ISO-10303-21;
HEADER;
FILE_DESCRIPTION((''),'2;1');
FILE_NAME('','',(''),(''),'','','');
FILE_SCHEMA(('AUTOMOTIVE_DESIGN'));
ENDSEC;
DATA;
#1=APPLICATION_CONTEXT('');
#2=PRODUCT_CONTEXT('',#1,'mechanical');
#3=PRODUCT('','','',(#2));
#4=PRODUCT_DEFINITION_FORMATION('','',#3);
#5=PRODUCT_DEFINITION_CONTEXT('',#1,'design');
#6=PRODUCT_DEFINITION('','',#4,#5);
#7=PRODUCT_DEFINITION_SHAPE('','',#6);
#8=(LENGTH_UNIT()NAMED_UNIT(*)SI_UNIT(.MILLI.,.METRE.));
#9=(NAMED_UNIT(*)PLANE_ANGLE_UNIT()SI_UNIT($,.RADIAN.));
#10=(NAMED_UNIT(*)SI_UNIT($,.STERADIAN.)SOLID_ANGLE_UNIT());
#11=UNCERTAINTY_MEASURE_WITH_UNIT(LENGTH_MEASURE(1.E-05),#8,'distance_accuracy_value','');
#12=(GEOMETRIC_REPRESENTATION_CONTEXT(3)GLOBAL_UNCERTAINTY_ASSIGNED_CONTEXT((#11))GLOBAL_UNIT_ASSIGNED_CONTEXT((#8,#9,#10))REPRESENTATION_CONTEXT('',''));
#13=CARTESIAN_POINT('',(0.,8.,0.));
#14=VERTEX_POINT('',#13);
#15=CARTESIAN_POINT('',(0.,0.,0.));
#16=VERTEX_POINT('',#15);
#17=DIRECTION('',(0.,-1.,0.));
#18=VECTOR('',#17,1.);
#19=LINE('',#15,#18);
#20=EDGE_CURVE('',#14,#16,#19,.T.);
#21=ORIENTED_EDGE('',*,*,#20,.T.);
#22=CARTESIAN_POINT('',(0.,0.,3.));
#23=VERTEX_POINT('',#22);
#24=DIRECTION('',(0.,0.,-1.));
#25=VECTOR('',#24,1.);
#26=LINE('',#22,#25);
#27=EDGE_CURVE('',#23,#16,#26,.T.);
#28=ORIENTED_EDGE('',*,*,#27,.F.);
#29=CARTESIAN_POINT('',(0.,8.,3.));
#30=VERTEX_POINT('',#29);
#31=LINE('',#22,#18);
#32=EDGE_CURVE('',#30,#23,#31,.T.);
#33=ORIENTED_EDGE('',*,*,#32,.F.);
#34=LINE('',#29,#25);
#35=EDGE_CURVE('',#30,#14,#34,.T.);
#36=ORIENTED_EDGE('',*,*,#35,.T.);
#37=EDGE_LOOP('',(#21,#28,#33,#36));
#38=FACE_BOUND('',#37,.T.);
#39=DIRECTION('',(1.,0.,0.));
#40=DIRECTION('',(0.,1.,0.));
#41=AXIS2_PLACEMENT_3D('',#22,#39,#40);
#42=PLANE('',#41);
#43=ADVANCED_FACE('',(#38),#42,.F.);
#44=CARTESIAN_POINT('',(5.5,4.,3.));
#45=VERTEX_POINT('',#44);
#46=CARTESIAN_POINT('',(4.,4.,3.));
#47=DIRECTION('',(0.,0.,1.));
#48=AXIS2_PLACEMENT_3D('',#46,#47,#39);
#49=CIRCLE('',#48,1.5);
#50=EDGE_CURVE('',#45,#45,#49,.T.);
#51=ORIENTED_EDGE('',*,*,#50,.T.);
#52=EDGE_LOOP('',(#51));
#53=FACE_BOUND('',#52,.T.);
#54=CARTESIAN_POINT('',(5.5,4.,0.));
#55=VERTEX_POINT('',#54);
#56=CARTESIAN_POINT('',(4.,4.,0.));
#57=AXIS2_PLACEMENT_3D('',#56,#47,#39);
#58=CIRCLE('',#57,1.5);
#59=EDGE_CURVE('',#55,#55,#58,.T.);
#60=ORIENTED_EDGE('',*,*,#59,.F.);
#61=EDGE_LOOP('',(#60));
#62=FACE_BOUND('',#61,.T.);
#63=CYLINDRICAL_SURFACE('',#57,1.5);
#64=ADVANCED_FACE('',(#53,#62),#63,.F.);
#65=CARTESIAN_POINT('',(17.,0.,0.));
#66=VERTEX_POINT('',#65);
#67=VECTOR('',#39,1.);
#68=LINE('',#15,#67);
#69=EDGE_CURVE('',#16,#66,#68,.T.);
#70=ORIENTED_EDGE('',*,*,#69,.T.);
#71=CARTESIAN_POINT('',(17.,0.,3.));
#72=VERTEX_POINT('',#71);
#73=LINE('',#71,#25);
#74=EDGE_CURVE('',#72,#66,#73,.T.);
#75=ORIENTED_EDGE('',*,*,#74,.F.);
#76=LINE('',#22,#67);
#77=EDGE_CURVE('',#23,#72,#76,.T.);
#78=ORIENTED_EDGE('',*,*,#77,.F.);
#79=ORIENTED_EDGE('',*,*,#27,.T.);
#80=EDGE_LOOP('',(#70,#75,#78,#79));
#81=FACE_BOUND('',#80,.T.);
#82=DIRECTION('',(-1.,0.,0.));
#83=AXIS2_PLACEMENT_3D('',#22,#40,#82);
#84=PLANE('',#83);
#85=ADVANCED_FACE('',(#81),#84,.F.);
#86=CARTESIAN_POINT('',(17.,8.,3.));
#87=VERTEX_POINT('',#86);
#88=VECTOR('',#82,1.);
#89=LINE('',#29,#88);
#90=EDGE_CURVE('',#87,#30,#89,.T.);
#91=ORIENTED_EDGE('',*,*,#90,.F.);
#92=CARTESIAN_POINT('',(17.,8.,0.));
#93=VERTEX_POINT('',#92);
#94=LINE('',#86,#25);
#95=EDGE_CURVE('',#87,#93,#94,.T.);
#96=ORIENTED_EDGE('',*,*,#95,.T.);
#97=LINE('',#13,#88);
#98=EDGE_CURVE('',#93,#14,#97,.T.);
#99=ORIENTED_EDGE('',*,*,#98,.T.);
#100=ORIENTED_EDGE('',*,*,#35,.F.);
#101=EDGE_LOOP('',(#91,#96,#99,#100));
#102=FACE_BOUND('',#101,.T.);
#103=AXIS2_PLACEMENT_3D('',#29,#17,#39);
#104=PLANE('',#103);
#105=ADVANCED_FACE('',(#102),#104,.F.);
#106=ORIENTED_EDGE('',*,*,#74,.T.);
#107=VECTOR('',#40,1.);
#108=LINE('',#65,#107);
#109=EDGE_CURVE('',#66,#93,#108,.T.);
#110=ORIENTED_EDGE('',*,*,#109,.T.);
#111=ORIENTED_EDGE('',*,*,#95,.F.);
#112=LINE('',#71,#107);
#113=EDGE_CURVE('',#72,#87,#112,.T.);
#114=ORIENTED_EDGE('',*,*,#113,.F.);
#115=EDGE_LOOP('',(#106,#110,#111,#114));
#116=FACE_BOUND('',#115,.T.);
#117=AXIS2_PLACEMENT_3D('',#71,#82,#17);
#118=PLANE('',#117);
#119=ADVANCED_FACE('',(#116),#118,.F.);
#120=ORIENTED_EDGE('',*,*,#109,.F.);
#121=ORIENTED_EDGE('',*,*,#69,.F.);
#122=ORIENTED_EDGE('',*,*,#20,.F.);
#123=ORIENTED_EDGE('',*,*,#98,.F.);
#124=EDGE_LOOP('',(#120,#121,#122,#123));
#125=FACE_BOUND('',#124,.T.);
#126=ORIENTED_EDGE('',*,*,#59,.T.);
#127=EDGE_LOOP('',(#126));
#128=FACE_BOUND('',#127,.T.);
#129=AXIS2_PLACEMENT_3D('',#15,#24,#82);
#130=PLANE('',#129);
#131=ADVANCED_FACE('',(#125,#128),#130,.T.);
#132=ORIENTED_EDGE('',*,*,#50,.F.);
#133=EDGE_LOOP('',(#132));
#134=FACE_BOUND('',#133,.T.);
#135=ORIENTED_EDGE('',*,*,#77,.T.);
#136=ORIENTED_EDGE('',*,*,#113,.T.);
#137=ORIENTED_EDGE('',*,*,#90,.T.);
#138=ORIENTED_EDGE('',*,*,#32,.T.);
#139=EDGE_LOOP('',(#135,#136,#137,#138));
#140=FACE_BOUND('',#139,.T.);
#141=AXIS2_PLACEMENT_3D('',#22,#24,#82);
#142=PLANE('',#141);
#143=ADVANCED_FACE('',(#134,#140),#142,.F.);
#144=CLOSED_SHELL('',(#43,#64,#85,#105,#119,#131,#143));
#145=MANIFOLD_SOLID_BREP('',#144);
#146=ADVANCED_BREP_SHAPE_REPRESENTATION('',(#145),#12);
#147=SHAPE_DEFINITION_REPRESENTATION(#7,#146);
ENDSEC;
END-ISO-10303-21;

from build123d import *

# Parameters (mm, degrees)
SKETCH_1_W          = 17
SKETCH_1_H          = 8
EXTRUDE_1_DEPTH     = 3
SKETCH_2_R          = 1.5
CUT_EXTRUDE_1_DEPTH = 20.02629759


with BuildPart() as part:
    # Эскиз1 → Бобышка-Вытянуть1 (new body)
    with BuildSketch(Plane.XY):
        with Locations((8.5, 4)):
            Rectangle(SKETCH_1_W, SKETCH_1_H)
    extrude(amount=EXTRUDE_1_DEPTH)

    # Эскиз2 → Вырез-Вытянуть1 (cut, through all)
    with BuildSketch(Plane.XY.offset(3)):
        with Locations((4, 4)):
            Circle(SKETCH_2_R)
    extrude(amount=-CUT_EXTRUDE_1_DEPTH, mode=Mode.SUBTRACT)


solid = part.part
